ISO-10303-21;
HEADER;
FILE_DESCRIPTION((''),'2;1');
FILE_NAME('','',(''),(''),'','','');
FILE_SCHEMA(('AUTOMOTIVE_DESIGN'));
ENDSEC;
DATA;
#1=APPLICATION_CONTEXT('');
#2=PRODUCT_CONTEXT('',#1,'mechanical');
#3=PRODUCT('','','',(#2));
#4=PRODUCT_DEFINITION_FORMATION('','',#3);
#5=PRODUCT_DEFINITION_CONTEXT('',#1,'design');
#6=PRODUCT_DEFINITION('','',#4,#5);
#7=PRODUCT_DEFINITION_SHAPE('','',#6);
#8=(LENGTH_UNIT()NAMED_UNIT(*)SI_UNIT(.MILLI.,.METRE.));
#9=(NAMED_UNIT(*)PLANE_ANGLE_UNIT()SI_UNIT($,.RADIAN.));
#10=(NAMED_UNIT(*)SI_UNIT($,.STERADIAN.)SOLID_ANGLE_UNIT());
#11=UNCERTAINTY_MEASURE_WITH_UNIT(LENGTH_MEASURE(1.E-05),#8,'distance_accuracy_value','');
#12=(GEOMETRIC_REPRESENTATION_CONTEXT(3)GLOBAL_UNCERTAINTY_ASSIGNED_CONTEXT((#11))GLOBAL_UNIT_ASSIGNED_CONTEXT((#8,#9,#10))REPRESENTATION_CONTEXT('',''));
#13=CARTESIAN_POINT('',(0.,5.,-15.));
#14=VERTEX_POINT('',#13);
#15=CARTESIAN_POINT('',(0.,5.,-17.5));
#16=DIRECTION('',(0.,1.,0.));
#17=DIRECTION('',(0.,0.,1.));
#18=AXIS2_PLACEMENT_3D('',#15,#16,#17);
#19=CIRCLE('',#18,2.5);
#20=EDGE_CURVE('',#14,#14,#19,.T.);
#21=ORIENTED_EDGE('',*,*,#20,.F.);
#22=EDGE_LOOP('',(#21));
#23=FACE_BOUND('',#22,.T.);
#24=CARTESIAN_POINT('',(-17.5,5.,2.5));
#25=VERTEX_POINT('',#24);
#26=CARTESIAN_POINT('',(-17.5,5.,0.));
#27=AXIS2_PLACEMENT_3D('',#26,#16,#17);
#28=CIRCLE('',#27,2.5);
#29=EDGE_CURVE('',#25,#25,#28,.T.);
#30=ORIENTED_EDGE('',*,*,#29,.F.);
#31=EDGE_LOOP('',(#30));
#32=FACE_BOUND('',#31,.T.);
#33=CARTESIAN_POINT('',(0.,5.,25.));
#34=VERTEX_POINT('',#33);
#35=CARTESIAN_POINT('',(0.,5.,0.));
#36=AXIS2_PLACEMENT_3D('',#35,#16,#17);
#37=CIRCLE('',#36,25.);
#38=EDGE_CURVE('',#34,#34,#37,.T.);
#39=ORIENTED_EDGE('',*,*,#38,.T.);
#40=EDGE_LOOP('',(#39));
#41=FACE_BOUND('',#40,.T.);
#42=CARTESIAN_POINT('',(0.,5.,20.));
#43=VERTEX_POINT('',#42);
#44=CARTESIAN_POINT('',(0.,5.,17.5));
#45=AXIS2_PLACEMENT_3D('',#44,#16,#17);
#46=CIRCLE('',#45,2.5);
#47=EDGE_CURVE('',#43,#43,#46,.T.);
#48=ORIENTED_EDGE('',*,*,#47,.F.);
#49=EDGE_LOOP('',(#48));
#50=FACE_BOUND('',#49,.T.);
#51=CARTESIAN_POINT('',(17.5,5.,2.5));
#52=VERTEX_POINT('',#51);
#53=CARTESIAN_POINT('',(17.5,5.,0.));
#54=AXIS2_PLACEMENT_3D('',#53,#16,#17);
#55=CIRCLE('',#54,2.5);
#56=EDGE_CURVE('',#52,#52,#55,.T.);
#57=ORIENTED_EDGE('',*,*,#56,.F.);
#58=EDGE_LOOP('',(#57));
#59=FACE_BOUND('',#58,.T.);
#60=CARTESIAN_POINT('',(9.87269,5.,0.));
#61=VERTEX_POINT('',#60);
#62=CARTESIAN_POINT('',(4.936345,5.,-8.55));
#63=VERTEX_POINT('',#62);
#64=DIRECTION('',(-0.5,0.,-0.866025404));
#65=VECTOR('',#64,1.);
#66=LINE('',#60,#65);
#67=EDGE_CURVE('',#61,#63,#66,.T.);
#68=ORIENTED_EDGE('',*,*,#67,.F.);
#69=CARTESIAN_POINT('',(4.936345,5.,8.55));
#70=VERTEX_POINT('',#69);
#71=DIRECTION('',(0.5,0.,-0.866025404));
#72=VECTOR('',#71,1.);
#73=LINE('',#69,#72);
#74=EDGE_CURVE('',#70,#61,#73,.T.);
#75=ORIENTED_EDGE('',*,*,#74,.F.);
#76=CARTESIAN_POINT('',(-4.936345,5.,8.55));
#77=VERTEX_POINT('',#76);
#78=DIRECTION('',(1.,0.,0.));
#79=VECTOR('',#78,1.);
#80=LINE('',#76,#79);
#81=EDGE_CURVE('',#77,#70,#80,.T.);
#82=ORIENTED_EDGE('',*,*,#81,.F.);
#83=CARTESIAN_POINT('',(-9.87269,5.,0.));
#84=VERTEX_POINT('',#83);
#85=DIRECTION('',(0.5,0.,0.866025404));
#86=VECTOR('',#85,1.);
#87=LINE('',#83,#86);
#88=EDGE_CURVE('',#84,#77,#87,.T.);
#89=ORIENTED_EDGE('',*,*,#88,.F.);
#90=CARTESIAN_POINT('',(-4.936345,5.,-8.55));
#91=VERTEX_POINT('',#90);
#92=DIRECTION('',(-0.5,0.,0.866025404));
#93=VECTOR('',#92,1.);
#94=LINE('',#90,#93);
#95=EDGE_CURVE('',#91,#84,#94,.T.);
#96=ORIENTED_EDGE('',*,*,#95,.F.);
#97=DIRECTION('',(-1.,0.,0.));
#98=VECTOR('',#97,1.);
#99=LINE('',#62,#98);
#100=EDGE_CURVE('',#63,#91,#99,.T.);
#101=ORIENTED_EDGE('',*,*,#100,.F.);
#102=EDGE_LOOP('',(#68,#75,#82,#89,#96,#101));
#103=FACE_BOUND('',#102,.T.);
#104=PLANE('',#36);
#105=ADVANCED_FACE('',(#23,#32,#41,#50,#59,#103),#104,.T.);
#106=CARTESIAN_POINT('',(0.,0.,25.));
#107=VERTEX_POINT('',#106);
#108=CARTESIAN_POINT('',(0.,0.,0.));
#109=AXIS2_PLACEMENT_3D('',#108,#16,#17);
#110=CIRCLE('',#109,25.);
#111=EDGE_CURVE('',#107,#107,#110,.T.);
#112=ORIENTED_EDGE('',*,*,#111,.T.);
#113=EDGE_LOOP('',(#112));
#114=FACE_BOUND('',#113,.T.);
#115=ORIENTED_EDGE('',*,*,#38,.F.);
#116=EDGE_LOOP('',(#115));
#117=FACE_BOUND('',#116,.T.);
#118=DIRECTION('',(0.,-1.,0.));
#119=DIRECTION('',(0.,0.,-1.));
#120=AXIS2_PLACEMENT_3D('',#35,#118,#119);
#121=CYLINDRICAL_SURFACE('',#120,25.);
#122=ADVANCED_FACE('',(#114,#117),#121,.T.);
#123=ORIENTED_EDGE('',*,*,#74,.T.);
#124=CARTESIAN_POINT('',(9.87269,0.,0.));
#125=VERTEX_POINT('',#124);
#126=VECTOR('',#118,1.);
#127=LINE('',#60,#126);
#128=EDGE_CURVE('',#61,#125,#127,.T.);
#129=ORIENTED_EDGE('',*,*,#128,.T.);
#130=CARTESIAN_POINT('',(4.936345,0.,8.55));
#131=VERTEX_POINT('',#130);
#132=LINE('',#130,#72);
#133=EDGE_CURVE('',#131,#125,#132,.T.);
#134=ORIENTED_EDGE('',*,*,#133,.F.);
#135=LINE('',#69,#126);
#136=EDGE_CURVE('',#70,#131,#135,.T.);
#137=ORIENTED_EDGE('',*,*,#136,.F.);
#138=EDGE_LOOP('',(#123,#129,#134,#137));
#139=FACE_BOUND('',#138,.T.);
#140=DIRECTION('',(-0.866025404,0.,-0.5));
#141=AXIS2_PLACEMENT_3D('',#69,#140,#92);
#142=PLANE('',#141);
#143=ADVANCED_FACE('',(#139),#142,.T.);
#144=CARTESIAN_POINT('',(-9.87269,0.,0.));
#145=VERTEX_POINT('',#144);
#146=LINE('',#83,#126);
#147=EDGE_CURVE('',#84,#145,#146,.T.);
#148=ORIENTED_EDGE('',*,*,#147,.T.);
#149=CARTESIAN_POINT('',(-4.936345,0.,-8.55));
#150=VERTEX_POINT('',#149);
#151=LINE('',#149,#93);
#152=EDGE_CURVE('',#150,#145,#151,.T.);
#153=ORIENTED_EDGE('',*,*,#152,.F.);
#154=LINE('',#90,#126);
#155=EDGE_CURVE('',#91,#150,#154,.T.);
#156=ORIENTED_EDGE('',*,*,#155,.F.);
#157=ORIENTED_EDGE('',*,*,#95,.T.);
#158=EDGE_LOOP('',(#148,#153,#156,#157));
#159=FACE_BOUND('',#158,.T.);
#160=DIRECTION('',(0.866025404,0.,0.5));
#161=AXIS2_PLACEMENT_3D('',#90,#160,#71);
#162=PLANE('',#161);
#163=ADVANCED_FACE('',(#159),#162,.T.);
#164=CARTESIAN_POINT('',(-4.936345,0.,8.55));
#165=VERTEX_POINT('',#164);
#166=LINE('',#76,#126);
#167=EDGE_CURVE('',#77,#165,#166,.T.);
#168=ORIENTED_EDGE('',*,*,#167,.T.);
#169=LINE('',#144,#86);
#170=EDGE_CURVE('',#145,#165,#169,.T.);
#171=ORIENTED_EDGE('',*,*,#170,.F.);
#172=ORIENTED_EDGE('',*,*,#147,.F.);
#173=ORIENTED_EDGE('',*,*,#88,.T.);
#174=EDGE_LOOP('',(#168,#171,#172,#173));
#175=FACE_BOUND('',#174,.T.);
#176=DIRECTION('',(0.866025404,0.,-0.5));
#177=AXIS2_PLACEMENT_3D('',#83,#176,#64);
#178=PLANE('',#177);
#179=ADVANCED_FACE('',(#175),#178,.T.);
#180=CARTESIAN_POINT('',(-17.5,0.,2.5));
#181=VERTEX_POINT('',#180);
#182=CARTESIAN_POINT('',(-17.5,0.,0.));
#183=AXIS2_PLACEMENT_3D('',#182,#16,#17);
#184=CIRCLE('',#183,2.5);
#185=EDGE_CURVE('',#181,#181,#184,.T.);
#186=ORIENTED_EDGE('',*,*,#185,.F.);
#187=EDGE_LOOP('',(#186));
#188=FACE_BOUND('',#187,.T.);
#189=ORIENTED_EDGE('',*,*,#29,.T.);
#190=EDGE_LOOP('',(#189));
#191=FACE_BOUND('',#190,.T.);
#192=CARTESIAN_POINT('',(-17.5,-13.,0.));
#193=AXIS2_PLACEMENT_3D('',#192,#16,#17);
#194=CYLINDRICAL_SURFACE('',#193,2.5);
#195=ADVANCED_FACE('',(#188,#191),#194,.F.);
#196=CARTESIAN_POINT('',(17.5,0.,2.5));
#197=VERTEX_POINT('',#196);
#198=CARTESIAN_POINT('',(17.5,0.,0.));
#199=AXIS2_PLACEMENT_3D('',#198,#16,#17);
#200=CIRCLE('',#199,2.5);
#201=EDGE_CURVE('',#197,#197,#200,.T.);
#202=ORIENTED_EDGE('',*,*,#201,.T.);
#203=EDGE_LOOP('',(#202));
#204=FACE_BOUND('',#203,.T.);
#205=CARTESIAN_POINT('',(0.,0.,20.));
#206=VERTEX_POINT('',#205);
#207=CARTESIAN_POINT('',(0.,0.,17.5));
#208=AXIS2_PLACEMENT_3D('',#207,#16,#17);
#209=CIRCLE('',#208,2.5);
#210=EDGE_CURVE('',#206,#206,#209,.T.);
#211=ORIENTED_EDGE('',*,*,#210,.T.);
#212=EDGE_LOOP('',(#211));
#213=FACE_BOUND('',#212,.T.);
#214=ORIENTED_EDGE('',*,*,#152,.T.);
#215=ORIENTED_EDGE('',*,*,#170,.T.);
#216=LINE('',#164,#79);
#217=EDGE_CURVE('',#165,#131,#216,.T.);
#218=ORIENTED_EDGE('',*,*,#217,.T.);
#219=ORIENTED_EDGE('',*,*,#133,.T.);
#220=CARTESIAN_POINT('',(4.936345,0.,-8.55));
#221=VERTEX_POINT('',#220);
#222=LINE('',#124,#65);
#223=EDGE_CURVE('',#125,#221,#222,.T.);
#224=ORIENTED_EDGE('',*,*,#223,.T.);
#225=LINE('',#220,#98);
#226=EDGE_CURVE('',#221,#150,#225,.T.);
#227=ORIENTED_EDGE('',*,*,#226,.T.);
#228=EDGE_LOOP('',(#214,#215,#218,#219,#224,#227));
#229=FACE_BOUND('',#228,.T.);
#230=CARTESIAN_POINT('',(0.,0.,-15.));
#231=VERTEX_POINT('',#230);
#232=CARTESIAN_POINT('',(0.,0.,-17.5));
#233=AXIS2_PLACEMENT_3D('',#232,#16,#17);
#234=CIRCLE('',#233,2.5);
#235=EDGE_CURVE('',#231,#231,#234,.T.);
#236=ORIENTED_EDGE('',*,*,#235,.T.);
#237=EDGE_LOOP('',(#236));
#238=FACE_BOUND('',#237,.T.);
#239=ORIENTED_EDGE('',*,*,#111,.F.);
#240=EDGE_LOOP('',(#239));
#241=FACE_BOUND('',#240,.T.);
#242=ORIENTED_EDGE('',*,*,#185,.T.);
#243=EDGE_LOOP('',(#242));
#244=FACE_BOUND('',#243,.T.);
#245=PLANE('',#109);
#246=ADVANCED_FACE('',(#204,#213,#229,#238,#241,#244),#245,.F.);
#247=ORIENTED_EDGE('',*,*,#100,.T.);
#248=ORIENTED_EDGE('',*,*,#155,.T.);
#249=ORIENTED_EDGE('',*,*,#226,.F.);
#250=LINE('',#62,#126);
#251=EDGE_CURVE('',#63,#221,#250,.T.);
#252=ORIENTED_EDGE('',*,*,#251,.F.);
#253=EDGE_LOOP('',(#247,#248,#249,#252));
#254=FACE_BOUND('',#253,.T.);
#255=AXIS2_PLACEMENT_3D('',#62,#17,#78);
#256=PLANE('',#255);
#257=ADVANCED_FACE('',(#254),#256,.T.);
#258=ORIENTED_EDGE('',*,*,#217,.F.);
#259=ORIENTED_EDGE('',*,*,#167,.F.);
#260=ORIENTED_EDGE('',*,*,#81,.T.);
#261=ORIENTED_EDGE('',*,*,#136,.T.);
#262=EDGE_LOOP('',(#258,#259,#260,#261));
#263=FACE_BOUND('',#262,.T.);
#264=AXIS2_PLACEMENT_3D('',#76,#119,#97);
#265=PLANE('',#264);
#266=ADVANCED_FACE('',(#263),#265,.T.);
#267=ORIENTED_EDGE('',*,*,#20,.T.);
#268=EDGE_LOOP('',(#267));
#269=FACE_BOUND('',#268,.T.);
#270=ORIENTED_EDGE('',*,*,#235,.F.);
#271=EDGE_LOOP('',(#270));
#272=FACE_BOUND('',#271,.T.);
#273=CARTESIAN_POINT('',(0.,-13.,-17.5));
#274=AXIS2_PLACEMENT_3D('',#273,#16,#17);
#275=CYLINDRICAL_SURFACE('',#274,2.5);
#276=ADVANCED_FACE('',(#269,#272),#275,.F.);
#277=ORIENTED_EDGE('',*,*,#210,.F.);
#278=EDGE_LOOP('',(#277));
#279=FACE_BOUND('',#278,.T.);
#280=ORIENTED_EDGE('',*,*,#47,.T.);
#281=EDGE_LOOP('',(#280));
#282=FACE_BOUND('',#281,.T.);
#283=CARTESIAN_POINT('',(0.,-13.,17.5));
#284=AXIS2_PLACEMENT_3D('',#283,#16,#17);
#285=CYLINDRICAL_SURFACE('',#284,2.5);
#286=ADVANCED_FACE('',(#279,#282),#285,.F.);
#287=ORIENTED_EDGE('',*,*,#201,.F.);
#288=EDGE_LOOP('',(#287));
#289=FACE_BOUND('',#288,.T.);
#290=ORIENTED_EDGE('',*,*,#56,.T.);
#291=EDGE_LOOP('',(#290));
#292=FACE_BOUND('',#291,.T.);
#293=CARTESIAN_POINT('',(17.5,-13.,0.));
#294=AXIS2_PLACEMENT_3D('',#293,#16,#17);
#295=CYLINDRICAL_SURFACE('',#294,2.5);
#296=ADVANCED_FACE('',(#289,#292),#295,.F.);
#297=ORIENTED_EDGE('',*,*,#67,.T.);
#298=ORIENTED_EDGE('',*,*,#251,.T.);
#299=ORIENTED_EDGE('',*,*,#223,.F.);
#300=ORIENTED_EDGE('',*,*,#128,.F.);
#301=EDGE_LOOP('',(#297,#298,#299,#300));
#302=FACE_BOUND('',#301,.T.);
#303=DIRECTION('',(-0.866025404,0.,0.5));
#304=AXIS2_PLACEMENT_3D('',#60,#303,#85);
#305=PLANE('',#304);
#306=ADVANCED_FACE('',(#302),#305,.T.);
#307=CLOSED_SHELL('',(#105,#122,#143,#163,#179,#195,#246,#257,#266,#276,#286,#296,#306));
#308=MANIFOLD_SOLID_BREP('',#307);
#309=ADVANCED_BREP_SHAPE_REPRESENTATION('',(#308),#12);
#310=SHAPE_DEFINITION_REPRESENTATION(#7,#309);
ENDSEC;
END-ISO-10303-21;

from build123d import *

# Parameters (mm, degrees)
SKETCH1_R           = 25
BOSS_EXTRUDE1_DEPTH = 5
SKETCH3_R           = 2.5
CUT_EXTRUDE1_DEPTH  = 18


with BuildPart() as part:
    # Sketch1 → Boss-Extrude1 (new body)
    with BuildSketch(Plane(origin=(0, 0, 0), x_dir=(1, 0, 0), z_dir=(0, 1, 0))):
        with Locations(Location((0, 0, 0), (0, 0, 270))):
            Circle(SKETCH1_R)
        Polygon((-9.872689603, 0), (-4.936344802, -8.55), (4.936344802, -8.55), (9.872689603, 0), (4.936344802, 8.55), (-4.936344802, 8.55), align=None, mode=Mode.SUBTRACT)
    extrude(amount=BOSS_EXTRUDE1_DEPTH)

    # Sketch3 → Cut-Extrude1 (cut)
    with BuildSketch(Plane(origin=(0, 5, 0), x_dir=(1, 0, 0), z_dir=(0, 1, 0))):
        with Locations(Location((0, 17.5, 0), (0, 0, 270))):
            Circle(SKETCH3_R)
        with Locations(Location((17.5, 0, 0), (0, 0, 270))):
            Circle(SKETCH3_R)
        with Locations(Location((0, -17.5, 0), (0, 0, 270))):
            Circle(SKETCH3_R)
        with Locations(Location((-17.5, 0, 0), (0, 0, 270))):
            Circle(SKETCH3_R)
    extrude(amount=-CUT_EXTRUDE1_DEPTH, mode=Mode.SUBTRACT)


solid = part.part
